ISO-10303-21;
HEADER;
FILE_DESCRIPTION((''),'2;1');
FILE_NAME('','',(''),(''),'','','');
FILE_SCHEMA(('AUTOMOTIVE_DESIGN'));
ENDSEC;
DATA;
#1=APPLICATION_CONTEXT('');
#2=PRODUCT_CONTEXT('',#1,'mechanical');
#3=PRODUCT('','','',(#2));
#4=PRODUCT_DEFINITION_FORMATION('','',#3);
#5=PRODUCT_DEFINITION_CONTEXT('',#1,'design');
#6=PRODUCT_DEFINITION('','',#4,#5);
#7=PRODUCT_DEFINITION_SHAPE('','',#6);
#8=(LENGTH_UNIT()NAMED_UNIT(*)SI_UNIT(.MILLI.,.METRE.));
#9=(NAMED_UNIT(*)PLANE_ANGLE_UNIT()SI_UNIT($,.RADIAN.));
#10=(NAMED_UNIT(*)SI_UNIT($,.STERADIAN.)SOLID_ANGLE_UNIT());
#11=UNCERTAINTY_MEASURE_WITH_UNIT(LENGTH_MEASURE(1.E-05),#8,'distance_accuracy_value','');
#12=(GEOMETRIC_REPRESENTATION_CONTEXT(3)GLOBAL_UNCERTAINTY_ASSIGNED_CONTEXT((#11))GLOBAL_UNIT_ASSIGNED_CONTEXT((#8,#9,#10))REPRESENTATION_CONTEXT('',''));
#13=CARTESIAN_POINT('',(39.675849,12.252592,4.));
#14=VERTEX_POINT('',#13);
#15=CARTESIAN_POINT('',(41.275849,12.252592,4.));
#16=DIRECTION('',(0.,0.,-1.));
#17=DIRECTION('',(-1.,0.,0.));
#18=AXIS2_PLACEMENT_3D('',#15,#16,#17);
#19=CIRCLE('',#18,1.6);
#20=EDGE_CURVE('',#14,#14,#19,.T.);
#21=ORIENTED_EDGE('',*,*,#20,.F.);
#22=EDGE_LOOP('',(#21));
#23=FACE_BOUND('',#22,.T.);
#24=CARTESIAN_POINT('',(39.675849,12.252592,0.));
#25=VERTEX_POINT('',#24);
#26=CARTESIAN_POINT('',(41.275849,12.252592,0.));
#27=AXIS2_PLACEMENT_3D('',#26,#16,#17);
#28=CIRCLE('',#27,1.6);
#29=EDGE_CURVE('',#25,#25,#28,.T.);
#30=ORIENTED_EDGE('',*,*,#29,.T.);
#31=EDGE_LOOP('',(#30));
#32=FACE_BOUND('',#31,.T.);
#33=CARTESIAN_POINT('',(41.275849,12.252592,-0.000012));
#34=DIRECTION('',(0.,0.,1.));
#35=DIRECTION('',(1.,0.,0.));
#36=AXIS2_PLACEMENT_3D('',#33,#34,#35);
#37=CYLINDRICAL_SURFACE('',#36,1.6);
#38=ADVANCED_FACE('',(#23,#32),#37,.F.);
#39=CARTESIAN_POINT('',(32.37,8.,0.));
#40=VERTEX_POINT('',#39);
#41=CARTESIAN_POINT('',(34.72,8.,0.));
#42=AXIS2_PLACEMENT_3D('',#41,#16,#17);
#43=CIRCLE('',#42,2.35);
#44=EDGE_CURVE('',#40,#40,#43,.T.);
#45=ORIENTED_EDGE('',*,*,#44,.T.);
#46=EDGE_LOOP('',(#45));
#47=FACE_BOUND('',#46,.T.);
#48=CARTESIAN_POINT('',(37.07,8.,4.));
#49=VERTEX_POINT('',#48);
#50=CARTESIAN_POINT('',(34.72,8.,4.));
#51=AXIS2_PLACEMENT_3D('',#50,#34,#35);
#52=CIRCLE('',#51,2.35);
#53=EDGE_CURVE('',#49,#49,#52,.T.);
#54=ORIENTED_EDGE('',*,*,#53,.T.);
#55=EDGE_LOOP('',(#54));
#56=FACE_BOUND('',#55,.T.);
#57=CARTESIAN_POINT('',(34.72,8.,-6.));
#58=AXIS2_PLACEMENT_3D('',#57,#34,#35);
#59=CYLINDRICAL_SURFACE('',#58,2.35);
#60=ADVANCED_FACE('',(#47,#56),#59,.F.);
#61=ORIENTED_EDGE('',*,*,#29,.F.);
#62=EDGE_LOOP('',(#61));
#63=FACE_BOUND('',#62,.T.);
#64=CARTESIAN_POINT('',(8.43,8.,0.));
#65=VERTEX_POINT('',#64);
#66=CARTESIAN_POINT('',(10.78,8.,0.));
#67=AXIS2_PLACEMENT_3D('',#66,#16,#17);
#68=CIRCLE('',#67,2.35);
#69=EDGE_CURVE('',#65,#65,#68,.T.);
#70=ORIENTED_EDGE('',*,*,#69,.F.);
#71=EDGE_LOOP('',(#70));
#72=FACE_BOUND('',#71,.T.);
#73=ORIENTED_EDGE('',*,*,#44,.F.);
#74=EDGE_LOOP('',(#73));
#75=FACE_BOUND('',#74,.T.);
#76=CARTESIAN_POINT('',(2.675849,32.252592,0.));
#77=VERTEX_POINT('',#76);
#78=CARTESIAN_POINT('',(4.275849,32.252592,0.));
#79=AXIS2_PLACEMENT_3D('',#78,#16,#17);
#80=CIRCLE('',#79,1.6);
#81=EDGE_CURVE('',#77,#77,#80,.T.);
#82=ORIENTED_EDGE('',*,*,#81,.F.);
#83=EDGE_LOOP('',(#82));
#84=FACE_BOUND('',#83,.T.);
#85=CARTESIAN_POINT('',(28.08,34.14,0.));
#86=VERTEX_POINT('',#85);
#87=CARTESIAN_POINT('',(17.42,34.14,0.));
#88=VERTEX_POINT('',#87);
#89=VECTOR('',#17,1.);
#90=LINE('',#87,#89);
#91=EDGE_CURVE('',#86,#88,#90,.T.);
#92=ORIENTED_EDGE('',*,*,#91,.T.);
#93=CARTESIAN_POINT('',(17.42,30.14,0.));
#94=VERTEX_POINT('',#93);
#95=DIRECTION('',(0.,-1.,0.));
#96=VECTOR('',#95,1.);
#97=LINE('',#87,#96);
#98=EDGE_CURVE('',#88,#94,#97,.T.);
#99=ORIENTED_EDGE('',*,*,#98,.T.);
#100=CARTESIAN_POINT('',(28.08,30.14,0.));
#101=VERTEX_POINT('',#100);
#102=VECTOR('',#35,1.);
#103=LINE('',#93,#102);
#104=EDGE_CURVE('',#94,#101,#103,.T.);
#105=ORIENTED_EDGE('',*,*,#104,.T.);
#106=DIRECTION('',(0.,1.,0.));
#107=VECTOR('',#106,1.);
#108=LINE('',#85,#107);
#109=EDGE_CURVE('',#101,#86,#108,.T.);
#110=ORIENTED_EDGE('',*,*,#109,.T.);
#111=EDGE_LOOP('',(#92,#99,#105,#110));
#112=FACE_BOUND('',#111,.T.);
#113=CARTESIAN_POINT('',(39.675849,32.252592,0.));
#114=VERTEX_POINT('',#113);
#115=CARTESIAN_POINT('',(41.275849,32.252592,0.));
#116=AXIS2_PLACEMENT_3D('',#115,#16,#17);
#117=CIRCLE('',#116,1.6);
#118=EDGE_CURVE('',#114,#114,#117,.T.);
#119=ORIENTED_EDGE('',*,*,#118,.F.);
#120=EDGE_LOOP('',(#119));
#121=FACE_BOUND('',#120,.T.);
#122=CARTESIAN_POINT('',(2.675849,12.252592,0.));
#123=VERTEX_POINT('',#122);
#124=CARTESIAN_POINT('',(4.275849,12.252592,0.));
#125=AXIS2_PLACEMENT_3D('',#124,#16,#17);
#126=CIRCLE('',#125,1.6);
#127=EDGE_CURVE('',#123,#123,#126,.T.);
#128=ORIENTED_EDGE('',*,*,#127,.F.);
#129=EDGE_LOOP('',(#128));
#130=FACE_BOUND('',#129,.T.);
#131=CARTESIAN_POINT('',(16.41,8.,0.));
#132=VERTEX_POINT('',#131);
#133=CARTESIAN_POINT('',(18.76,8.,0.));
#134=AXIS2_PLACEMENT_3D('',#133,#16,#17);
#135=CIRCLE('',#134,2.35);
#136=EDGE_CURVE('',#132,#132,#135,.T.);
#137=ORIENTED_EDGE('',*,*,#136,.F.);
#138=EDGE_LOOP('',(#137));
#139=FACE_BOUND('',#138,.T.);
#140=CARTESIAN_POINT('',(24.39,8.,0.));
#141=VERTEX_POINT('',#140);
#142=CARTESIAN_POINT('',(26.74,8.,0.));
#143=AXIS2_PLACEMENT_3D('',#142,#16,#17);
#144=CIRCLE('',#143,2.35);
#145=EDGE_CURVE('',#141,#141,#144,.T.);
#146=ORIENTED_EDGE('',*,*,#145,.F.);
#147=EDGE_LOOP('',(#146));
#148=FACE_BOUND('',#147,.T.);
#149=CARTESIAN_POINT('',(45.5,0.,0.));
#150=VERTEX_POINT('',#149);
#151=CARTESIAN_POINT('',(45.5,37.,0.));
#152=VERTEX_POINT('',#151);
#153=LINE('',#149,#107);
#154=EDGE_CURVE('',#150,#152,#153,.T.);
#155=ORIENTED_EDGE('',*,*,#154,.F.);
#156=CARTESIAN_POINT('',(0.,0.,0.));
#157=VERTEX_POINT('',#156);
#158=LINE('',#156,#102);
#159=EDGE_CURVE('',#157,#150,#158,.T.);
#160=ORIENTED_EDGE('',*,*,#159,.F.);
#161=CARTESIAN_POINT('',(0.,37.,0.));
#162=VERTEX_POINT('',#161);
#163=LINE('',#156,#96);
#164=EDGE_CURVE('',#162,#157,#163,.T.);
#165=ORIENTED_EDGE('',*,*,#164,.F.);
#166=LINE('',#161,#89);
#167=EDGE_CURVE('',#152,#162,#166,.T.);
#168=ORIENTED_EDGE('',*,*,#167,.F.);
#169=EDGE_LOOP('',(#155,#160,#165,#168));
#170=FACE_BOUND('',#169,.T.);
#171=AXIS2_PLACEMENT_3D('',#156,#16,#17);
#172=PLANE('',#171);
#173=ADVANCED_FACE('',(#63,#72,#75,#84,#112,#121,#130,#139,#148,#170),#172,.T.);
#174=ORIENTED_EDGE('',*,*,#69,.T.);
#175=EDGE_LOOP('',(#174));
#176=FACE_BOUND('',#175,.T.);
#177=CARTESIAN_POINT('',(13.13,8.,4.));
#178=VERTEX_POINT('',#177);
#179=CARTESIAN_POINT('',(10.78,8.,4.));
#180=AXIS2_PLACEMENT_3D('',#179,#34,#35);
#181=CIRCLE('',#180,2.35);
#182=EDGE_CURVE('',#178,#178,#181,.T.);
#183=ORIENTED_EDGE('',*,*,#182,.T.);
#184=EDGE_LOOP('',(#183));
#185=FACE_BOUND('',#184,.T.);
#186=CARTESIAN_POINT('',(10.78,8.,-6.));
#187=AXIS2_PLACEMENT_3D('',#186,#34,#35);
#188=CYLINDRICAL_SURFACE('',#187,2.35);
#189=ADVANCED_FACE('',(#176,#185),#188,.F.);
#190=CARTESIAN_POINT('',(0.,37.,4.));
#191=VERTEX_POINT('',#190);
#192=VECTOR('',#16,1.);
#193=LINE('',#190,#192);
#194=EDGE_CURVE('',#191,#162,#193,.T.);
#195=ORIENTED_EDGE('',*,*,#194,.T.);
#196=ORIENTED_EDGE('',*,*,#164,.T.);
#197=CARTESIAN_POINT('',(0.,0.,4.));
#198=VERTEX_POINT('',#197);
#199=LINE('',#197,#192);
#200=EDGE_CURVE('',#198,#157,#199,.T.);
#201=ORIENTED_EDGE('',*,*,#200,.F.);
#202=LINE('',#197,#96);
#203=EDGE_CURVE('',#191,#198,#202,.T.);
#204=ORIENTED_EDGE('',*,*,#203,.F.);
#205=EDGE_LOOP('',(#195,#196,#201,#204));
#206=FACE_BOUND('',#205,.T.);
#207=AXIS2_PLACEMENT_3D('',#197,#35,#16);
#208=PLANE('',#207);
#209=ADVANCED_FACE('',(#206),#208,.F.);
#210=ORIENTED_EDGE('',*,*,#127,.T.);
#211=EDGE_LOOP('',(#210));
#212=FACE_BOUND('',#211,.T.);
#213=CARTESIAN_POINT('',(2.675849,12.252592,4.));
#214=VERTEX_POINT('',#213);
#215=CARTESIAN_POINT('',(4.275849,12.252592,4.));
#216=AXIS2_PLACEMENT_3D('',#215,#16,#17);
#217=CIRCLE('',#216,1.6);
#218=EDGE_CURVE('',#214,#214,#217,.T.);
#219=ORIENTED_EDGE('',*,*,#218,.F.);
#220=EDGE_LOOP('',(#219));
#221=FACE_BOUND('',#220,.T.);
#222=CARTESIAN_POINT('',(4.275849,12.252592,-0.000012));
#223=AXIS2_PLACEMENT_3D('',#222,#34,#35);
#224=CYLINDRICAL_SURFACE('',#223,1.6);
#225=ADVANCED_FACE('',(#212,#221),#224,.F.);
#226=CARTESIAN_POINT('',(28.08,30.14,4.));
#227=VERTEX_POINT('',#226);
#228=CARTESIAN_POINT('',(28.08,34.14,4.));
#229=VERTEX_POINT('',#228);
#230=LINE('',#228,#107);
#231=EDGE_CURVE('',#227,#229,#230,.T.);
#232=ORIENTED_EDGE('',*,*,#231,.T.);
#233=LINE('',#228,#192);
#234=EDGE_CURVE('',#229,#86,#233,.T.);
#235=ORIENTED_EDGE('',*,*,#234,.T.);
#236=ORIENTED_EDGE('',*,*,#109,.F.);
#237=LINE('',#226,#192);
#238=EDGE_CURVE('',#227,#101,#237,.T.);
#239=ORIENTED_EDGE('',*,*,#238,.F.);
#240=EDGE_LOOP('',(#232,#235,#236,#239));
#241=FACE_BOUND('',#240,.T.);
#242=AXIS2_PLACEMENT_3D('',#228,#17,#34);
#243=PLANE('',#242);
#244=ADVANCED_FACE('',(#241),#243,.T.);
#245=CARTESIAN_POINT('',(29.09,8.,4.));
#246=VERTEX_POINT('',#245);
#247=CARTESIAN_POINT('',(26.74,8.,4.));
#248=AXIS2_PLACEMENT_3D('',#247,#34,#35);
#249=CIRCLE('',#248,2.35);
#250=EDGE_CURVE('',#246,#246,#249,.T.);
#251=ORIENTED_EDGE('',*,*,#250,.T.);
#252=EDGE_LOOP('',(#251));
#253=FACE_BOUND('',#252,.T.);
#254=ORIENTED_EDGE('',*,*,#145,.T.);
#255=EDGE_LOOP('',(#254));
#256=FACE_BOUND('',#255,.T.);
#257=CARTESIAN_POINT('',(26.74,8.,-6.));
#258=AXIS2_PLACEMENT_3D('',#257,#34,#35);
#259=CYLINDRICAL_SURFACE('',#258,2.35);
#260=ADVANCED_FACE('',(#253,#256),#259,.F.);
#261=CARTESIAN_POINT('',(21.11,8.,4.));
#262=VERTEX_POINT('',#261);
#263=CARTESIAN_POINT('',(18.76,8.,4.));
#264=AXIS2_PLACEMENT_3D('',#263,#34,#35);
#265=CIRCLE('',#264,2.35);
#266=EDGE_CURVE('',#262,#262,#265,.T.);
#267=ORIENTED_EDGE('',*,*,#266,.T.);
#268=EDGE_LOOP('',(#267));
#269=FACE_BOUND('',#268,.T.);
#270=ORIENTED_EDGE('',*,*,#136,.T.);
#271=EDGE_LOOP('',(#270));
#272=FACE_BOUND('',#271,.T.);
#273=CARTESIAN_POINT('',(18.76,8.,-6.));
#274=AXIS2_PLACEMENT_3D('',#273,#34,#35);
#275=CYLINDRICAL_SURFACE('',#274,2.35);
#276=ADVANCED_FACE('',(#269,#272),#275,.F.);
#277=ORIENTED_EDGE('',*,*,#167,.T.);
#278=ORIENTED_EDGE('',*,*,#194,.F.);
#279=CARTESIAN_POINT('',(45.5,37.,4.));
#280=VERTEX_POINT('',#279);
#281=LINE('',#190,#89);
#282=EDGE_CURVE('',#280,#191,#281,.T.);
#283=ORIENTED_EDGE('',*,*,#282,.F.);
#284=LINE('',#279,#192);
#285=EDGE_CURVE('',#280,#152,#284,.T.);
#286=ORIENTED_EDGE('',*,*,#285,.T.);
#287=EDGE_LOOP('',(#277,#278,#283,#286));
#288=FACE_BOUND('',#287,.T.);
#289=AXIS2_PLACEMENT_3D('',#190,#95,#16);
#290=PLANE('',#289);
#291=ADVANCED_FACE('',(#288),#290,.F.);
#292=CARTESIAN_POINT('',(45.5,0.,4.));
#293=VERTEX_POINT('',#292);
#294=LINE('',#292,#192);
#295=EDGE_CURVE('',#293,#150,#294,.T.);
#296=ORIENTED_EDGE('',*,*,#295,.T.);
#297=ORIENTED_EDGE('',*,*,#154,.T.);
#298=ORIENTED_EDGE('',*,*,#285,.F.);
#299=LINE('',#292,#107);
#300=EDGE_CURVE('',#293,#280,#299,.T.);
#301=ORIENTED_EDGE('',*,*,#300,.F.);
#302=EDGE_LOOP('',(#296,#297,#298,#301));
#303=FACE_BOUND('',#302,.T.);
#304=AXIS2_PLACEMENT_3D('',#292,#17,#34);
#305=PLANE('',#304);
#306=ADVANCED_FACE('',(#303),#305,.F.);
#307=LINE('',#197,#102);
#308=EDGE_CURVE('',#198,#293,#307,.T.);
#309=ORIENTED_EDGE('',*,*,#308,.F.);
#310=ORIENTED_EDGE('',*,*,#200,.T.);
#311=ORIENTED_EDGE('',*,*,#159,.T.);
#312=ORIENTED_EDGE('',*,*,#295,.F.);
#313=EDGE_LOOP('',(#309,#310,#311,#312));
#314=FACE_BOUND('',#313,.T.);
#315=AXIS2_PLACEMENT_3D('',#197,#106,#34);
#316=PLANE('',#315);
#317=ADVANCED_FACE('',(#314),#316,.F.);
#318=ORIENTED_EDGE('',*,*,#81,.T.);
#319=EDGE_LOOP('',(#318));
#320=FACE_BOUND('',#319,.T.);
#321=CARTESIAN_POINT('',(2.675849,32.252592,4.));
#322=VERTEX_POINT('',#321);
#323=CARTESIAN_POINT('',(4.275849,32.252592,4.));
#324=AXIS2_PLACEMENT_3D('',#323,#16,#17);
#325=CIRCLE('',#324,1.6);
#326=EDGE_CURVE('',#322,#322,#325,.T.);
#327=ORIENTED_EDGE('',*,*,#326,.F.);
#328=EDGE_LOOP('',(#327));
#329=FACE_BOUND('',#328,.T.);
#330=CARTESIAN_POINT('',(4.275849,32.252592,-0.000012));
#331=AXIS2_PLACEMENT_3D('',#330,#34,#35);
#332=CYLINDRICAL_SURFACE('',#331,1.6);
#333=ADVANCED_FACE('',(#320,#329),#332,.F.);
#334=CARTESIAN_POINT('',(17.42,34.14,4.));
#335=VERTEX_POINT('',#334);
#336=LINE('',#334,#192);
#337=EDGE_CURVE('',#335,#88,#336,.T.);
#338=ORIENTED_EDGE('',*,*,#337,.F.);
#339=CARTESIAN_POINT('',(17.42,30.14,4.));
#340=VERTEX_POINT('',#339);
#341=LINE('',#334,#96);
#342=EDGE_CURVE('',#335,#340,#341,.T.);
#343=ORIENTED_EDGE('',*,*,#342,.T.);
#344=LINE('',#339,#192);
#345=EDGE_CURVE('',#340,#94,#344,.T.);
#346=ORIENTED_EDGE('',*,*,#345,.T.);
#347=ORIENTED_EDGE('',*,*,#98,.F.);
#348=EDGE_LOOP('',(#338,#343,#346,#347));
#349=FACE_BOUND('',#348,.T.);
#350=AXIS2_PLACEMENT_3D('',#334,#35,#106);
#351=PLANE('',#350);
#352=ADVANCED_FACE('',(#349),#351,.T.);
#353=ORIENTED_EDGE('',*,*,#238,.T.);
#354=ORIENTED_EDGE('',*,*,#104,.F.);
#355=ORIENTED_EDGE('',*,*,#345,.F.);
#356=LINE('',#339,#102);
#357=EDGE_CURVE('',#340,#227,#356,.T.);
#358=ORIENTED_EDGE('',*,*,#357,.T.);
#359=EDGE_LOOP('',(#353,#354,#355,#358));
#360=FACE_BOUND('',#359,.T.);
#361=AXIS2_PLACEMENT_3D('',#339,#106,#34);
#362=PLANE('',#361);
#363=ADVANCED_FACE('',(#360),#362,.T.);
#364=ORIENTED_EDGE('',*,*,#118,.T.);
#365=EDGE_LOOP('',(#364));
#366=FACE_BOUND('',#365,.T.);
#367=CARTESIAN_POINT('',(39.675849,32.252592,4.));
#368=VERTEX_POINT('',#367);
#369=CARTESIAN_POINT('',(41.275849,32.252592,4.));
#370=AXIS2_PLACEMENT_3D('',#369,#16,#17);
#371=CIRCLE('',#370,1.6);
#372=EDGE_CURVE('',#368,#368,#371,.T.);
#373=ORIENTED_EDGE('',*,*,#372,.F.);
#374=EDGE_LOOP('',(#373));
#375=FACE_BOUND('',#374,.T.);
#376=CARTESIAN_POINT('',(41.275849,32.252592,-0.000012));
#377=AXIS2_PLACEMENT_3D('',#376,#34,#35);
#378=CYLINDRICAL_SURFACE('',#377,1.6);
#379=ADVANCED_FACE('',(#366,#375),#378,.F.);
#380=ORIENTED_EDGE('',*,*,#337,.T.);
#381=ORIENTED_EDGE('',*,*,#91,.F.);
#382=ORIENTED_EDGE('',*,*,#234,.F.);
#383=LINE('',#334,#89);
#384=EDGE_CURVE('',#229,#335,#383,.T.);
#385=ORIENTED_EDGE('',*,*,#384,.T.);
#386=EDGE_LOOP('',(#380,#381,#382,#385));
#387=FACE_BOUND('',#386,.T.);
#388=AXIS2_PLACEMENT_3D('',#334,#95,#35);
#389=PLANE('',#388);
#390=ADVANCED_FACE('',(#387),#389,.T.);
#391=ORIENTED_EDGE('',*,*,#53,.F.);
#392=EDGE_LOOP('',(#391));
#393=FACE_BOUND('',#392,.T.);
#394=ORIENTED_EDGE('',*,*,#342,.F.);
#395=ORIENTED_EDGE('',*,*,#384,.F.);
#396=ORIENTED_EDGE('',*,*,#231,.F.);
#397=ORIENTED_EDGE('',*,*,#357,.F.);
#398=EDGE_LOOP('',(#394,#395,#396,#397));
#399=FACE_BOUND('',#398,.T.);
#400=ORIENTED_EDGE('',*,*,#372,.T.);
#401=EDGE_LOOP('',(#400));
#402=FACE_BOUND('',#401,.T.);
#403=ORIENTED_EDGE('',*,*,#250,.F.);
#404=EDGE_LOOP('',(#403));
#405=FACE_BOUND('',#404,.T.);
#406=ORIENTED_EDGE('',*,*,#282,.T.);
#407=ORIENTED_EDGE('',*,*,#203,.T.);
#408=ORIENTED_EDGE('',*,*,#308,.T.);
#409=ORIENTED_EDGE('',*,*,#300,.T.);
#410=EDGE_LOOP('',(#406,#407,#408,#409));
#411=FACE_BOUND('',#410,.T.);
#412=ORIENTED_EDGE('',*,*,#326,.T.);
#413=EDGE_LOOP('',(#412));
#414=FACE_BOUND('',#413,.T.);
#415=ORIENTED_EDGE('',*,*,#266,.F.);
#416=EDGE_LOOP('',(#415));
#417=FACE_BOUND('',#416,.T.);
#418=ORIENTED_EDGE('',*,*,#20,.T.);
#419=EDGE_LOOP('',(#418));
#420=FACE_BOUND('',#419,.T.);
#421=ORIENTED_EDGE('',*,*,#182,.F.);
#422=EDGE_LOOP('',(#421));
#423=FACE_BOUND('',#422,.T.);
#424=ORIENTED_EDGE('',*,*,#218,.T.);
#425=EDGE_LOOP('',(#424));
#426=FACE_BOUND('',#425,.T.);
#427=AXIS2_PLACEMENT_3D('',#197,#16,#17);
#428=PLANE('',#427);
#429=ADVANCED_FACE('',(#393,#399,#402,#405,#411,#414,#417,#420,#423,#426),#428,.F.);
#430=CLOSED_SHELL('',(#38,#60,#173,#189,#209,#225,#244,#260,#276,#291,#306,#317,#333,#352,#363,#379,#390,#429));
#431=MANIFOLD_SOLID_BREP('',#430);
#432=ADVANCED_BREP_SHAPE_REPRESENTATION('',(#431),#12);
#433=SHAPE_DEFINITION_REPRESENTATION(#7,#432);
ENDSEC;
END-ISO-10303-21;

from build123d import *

# Parameters (mm, degrees)
SKETCH1_W               = 45.5
SKETCH1_H               = 37
SKETCH1_W_2             = 10.66
SKETCH1_H_2             = 4
BOSS_EXTRUDE1_DEPTH     = 4
SKETCH3_R               = 1.6
CUT_EXTRUDE5_DEPTH      = 10
CUT_EXTRUDE5_DEPTH_BACK = 1
SKETCH4_R               = 2.35
LEGO_GATEN_DEPTH        = 10


with BuildPart() as part:
    # Sketch1 → Boss-Extrude1 (new body)
    with BuildSketch(Plane.XY):
        with Locations((22.75, 18.5)):
            Rectangle(SKETCH1_W, SKETCH1_H)
        with Locations((22.75, 32.14)):
            Rectangle(SKETCH1_W_2, SKETCH1_H_2, mode=Mode.SUBTRACT)
    extrude(amount=BOSS_EXTRUDE1_DEPTH)

    # Sketch3 → Cut-Extrude5 (cut, two sides)
    with BuildSketch(Plane.XY) as cut_extrude5_sk:
        with Locations((41.27584891, 32.252592082)):
            Circle(SKETCH3_R)
        with Locations((41.27584891, 12.252592082)):
            Circle(SKETCH3_R)
        with Locations((4.27584891, 12.252592082)):
            Circle(SKETCH3_R)
        with Locations((4.27584891, 32.252592082)):
            Circle(SKETCH3_R)
    extrude(amount=CUT_EXTRUDE5_DEPTH, mode=Mode.SUBTRACT)
    extrude(cut_extrude5_sk.sketch, amount=-CUT_EXTRUDE5_DEPTH_BACK, mode=Mode.SUBTRACT)

    # Sketch4 → Lego gaten (cut)
    with BuildSketch(Plane.XY.offset(4)):
        with Locations((10.78, 8)):
            Circle(SKETCH4_R)
        with Locations((18.76, 8)):
            Circle(SKETCH4_R)
        with Locations((26.74, 8)):
            Circle(SKETCH4_R)
        with Locations((34.72, 8)):
            Circle(SKETCH4_R)
    extrude(amount=-LEGO_GATEN_DEPTH, mode=Mode.SUBTRACT)


solid = part.part
